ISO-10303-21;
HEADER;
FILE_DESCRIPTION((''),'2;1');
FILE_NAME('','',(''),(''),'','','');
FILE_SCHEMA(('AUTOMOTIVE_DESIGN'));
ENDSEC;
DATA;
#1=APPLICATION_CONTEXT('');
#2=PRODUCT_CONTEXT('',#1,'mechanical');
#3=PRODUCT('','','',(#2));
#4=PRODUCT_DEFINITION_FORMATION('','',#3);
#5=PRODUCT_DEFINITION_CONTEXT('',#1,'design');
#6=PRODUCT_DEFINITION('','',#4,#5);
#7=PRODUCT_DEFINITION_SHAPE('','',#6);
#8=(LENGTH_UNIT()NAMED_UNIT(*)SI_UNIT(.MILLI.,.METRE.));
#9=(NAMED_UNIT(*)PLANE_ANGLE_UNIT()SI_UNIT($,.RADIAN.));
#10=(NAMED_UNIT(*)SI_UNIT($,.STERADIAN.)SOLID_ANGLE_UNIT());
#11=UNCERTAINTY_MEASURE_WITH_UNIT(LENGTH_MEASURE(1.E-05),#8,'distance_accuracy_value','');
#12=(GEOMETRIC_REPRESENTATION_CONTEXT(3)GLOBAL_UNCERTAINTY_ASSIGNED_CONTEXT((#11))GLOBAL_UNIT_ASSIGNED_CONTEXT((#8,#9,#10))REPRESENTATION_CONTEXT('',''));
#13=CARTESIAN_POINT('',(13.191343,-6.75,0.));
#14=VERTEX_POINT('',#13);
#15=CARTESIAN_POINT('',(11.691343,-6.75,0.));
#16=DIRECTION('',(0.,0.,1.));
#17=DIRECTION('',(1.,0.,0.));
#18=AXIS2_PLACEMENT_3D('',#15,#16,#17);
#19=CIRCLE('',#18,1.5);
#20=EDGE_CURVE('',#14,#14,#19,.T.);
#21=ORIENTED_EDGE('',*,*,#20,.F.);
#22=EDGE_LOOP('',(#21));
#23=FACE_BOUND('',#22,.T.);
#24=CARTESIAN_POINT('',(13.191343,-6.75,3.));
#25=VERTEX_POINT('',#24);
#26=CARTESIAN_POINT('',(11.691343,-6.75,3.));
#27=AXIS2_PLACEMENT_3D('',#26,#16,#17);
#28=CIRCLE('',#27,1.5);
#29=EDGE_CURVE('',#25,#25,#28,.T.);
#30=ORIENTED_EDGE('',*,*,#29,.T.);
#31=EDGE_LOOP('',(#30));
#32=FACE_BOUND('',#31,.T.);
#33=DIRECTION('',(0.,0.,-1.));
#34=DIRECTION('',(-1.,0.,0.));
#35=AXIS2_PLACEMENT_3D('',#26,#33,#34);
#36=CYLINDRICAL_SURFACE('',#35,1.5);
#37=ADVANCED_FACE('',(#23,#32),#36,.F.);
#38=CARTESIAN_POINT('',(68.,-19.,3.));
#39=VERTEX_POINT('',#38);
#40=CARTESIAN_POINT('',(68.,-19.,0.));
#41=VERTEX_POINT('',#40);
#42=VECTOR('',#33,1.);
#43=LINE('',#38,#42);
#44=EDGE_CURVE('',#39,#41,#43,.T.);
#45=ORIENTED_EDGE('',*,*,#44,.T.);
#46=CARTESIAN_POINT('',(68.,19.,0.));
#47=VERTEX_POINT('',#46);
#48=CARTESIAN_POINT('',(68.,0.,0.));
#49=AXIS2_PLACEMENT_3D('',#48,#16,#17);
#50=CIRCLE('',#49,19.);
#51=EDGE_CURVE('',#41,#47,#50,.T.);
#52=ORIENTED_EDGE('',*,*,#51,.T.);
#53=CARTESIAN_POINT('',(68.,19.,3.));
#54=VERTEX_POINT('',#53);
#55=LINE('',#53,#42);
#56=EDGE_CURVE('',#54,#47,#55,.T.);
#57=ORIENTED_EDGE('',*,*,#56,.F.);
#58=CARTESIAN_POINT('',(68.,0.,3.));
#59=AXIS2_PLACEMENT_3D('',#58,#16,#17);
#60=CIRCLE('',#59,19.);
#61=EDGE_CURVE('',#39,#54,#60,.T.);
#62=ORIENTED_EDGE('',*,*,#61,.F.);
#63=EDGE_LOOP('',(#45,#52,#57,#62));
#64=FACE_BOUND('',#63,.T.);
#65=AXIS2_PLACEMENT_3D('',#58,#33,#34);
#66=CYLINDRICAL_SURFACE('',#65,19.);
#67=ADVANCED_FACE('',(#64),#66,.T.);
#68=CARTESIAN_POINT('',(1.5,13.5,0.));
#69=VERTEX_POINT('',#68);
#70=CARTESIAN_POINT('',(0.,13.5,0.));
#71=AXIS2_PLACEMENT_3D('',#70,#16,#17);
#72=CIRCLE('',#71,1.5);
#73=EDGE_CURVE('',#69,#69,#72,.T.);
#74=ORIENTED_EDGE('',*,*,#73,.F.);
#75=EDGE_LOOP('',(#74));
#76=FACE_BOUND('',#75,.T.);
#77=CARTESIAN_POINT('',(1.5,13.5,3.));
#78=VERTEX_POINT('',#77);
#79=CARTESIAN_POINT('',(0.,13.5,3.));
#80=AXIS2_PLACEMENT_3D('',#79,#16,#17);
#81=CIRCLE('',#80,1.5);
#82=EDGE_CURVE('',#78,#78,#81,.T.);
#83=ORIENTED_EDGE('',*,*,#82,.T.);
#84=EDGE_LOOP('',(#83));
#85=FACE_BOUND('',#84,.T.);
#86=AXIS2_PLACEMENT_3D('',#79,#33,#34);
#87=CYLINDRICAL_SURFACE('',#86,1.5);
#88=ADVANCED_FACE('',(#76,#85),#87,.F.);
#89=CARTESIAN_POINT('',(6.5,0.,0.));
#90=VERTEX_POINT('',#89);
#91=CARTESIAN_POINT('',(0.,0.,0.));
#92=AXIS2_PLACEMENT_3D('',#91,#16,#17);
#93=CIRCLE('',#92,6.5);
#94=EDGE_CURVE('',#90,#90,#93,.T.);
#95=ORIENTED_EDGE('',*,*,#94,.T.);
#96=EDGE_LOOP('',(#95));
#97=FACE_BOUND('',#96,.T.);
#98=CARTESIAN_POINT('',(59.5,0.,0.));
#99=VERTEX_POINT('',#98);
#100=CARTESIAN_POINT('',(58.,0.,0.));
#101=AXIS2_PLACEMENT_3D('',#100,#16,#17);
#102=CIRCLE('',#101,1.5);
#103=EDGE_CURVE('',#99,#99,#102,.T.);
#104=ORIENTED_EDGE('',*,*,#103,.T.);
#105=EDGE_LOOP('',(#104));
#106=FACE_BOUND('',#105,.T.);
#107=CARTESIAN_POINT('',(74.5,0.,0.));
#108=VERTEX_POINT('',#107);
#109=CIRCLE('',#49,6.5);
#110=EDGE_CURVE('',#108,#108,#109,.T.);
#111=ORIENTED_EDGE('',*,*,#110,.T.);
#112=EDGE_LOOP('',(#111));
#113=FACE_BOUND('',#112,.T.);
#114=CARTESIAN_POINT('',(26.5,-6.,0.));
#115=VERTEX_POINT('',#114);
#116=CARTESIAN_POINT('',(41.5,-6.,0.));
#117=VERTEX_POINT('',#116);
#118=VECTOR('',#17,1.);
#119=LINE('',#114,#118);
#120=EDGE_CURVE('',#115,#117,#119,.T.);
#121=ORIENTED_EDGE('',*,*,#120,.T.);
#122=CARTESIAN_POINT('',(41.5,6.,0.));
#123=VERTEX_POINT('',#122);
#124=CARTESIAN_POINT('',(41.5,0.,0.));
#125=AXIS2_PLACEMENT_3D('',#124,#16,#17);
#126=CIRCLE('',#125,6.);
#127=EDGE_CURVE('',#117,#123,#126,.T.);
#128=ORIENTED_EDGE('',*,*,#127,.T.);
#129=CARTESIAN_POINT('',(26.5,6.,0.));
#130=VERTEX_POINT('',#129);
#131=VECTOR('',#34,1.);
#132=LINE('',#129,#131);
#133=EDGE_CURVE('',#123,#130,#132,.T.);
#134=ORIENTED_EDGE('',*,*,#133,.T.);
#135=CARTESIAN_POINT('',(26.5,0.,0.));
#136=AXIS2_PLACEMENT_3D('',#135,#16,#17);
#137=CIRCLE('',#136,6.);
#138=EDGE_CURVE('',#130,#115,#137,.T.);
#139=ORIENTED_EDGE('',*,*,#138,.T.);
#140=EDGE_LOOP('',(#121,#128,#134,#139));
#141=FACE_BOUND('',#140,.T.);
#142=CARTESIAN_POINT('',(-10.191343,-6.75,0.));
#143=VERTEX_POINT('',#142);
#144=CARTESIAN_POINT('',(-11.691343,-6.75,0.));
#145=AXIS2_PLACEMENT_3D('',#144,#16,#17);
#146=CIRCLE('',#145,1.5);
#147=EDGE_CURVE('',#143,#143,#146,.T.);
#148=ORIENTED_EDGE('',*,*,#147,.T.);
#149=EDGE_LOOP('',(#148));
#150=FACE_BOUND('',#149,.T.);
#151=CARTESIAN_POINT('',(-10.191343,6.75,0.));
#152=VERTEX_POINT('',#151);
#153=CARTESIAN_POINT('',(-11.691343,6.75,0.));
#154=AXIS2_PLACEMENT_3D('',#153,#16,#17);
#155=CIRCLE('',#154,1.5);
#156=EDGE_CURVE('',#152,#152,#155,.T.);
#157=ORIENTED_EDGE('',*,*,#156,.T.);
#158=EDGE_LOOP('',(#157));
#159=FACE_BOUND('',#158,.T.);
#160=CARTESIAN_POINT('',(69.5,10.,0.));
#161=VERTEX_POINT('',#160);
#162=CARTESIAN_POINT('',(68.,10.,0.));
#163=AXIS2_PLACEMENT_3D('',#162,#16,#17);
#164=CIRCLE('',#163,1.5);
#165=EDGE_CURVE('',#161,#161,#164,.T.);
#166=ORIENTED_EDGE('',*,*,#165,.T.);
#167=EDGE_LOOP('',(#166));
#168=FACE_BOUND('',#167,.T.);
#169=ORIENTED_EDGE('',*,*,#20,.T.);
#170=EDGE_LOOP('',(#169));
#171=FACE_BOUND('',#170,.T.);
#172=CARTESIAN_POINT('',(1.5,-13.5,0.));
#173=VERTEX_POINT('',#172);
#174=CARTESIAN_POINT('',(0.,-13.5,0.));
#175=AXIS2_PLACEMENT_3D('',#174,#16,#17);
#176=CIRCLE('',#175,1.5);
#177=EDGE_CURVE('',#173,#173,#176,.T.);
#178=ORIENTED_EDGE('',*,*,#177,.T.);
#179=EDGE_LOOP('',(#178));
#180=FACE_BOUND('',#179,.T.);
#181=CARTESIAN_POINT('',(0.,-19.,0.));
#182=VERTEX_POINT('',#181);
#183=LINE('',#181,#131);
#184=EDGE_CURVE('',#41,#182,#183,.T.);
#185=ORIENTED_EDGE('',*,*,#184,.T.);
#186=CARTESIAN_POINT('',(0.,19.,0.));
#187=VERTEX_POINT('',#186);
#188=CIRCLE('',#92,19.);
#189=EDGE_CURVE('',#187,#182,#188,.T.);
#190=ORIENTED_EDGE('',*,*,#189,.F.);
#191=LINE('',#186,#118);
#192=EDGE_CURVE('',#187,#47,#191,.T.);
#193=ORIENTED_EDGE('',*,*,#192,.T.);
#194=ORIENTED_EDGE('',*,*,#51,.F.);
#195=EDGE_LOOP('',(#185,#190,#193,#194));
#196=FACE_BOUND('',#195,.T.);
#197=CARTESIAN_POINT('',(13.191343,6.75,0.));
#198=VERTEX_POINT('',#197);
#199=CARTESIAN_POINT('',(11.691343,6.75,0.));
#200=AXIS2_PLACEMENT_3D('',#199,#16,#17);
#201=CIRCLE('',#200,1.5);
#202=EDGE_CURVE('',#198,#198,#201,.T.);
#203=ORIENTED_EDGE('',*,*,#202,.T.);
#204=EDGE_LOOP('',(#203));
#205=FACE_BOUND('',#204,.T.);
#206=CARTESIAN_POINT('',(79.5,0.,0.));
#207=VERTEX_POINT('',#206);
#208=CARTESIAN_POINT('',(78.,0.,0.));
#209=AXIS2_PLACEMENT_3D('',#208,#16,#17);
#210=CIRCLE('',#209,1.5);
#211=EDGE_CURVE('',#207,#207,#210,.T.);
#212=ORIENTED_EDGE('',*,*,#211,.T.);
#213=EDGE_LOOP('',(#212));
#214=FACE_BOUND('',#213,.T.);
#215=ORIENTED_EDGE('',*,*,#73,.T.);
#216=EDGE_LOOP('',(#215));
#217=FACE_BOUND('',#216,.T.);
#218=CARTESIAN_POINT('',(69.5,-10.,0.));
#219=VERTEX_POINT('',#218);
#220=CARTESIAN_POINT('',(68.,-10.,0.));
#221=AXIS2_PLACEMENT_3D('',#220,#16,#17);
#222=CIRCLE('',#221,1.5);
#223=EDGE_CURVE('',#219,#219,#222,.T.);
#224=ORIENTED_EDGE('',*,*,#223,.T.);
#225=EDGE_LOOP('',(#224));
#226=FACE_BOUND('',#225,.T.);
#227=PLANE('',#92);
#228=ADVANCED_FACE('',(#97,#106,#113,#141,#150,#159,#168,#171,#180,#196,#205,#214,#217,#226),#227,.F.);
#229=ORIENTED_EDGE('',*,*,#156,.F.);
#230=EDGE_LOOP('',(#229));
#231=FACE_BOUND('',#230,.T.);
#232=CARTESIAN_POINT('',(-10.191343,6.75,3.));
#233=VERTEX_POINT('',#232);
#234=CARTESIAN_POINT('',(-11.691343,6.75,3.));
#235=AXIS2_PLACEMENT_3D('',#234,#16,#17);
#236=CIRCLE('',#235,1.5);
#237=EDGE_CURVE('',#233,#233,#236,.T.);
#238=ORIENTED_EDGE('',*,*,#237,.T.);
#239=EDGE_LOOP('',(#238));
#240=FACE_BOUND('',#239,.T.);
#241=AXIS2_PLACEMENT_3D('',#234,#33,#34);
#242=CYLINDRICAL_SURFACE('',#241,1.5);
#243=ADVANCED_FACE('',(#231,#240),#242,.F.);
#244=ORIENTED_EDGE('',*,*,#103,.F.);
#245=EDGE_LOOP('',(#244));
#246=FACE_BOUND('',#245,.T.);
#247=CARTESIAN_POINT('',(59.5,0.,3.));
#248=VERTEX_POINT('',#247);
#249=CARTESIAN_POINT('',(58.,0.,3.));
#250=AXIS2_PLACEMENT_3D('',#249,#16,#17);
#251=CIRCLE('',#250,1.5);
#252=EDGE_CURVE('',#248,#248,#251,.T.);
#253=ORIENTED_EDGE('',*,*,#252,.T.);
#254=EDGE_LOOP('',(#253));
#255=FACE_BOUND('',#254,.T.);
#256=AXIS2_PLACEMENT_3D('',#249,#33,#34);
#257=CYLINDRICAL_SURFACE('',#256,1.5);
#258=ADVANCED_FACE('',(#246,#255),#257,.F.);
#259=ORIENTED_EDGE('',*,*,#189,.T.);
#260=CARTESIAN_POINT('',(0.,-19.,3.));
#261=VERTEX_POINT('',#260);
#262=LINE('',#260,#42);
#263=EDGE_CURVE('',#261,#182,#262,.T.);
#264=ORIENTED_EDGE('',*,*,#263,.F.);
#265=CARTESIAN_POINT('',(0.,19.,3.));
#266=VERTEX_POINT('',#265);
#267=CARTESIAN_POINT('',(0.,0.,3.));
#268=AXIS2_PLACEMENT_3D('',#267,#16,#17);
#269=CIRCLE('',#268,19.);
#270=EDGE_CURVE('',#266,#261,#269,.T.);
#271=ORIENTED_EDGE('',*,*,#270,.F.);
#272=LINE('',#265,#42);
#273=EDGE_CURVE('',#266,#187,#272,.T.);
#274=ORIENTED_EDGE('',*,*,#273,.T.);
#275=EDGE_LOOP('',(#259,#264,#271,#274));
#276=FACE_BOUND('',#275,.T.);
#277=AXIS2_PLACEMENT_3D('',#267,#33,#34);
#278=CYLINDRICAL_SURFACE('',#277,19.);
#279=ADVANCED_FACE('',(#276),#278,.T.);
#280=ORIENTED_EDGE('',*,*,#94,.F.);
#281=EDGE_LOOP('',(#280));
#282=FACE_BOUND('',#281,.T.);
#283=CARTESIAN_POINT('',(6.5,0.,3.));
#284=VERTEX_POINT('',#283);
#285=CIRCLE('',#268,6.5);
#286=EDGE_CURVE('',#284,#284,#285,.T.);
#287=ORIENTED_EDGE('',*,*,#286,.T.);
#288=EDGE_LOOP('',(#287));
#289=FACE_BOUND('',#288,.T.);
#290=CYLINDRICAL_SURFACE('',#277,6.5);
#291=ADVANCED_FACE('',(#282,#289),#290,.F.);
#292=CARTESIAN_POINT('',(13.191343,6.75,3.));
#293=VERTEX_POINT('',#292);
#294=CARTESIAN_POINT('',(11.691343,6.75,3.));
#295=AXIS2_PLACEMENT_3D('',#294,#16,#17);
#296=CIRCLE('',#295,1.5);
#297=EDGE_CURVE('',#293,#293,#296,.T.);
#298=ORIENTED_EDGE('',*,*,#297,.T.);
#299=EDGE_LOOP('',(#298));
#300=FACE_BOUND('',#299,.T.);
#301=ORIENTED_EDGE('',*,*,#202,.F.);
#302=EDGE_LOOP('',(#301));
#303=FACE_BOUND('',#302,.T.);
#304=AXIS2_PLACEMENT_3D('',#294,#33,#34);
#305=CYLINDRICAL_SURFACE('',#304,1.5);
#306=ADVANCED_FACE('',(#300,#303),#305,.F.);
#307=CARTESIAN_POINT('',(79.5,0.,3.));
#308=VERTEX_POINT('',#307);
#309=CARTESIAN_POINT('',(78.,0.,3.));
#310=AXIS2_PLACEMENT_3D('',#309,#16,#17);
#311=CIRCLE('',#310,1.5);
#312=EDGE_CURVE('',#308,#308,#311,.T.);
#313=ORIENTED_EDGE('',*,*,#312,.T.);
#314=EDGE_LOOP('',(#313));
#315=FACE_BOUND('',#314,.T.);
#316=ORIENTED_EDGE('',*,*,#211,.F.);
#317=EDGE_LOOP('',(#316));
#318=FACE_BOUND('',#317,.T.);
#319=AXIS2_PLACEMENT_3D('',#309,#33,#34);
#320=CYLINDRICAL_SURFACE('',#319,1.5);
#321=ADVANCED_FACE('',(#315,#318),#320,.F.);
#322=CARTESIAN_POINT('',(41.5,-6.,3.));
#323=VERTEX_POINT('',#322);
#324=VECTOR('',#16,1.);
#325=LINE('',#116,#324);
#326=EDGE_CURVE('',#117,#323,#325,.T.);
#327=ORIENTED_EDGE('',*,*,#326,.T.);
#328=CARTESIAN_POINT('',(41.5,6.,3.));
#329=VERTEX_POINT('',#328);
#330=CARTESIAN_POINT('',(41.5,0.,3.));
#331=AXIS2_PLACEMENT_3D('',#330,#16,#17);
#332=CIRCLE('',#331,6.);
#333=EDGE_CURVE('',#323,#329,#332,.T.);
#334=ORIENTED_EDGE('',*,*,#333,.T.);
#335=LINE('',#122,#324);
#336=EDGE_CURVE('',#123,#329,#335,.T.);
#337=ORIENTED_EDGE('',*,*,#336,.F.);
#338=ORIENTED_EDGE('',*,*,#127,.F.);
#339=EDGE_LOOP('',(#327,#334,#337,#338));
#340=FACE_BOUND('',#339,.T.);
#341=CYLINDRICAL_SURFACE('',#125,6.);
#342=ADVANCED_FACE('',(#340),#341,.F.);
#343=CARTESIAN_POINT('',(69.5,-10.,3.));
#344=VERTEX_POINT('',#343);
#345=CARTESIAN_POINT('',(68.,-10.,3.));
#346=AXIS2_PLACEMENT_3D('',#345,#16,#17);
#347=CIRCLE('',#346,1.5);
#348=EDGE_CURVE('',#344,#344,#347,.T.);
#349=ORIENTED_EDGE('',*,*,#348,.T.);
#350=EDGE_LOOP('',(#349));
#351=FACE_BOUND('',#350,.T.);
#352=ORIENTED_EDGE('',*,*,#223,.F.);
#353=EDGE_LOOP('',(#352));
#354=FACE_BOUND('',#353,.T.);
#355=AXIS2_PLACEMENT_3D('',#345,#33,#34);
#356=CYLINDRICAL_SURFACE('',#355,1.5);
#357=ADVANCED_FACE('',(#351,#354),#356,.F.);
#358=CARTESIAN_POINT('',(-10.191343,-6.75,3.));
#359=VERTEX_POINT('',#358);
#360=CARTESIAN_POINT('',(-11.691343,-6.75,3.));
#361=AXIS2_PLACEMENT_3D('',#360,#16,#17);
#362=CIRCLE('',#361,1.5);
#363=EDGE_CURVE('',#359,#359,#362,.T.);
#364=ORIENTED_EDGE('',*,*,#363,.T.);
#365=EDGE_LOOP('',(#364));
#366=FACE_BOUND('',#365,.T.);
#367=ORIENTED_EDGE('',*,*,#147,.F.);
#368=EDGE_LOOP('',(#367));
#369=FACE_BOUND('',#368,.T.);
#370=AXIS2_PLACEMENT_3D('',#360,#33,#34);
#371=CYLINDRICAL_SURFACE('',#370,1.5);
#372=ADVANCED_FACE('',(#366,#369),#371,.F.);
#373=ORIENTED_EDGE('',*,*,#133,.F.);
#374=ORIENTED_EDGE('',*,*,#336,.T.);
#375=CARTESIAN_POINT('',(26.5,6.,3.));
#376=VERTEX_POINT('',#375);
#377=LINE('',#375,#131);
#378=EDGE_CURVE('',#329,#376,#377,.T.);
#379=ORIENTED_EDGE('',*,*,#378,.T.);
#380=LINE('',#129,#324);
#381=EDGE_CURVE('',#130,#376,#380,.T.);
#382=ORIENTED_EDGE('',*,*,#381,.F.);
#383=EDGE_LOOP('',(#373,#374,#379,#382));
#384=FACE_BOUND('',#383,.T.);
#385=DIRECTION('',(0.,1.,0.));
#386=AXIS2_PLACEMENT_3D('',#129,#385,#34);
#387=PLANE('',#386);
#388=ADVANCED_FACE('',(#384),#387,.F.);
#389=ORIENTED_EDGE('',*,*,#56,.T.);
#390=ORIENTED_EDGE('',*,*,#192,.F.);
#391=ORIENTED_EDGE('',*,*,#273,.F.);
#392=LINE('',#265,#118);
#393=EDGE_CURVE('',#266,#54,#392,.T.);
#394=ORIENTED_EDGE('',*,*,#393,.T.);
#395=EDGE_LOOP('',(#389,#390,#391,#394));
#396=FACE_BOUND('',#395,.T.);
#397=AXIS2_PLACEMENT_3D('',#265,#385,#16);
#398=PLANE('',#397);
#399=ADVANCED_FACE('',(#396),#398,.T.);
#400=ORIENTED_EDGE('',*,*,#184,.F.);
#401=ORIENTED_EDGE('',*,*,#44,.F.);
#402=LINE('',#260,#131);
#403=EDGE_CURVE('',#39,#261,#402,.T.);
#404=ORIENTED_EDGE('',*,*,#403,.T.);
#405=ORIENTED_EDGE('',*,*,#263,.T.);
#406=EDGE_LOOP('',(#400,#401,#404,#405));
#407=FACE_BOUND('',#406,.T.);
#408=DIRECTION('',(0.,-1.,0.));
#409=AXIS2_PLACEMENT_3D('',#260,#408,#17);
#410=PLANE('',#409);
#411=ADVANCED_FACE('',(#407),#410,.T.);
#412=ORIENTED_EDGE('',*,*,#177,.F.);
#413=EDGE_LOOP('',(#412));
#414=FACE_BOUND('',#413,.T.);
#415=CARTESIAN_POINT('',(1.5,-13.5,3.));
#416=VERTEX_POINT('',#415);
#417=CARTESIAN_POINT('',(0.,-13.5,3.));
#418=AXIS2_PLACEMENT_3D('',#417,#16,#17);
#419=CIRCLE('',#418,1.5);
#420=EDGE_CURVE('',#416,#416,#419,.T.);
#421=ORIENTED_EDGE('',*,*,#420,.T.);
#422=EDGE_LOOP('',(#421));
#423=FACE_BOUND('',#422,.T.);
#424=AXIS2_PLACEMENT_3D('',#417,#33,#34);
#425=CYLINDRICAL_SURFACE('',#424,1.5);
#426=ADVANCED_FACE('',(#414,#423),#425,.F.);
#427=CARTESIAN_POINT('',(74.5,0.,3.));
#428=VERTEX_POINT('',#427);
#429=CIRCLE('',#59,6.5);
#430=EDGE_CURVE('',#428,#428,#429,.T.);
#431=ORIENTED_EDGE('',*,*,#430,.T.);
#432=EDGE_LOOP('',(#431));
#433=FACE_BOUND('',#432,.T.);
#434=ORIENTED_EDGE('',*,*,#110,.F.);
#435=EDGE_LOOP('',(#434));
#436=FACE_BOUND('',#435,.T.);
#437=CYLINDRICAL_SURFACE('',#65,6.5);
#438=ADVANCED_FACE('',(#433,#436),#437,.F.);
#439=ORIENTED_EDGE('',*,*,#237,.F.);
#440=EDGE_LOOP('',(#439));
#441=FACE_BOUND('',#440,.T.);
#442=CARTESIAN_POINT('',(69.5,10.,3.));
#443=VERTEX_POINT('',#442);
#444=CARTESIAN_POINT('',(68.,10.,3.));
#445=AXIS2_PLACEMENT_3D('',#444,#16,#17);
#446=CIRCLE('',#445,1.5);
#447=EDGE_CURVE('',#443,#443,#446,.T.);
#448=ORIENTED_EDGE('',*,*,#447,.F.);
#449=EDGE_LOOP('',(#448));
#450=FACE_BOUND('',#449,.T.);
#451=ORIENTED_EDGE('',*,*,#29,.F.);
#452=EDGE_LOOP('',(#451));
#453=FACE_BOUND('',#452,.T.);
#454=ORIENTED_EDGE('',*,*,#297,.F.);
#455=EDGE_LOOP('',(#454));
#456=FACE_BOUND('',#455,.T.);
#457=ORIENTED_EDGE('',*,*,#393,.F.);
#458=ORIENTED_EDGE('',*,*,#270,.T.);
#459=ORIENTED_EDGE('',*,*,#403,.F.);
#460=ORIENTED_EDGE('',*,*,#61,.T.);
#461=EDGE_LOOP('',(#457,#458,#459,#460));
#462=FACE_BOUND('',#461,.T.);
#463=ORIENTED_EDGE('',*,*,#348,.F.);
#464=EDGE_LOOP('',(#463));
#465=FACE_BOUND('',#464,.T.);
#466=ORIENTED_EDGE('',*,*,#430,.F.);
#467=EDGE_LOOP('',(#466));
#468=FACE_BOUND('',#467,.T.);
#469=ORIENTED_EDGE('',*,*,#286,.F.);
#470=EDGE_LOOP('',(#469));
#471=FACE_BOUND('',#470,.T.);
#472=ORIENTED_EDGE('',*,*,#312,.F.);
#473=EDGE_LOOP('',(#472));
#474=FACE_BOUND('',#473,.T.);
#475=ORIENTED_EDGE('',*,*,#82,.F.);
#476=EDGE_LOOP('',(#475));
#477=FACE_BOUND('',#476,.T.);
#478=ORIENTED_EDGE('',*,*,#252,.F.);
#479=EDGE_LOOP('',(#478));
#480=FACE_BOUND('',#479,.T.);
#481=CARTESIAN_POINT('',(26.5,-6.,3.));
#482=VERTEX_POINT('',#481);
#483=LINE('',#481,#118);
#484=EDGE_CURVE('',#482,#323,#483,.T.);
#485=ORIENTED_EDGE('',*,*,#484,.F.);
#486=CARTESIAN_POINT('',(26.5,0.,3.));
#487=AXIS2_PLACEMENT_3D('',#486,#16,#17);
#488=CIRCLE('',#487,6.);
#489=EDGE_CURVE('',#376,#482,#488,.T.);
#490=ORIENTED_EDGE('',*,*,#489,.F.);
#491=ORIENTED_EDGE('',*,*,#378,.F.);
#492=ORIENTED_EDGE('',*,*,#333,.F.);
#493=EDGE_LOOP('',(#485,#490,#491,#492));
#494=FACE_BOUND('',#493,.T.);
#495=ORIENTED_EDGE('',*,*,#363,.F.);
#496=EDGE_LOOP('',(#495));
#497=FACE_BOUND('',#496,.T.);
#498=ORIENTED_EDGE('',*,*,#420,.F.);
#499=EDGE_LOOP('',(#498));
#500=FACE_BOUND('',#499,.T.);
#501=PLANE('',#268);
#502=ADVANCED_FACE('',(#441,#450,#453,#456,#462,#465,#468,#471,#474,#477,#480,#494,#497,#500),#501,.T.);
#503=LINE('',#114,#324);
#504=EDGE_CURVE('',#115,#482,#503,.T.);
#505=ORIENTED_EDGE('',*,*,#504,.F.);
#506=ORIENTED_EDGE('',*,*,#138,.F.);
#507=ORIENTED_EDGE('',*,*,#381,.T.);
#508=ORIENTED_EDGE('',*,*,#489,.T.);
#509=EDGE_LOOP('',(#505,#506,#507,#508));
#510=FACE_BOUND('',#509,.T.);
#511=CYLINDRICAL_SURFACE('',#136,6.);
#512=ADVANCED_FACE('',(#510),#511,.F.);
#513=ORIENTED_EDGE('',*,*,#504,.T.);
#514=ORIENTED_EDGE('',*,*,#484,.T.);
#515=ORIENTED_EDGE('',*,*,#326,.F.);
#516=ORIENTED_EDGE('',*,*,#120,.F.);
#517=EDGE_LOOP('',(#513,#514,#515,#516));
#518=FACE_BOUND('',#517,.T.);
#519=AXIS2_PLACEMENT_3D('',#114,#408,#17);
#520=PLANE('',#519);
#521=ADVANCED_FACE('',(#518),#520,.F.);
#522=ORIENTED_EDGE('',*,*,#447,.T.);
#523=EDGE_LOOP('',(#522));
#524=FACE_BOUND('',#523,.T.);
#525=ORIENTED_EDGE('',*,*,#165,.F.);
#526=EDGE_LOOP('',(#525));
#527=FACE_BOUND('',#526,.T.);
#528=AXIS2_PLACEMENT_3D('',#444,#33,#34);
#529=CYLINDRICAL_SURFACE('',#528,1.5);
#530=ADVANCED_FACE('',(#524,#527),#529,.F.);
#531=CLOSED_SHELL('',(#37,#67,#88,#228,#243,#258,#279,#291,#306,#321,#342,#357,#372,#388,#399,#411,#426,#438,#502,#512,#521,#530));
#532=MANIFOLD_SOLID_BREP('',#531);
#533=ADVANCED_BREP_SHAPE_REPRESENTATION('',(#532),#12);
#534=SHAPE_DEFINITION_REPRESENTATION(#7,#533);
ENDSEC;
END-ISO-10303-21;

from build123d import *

# Parameters (mm, degrees)
SKETCH_1_R          = 19
SKETCH_1_R_2        = 1.5
SKETCH_1_R_3        = 6.5
EXTRUDE_1_DEPTH     = 3
SKETCH_2_R          = 6.5
CUT_EXTRUDE_1_DEPTH = 90.101066211


with BuildPart() as part:
    # 草图1 → 凸台-拉伸1 (new body)
    # profile 1 of 3: a face of its own
    with BuildSketch(Plane.XY):
        Circle(SKETCH_1_R)
        with Locations((0, 13.5)):
            Circle(SKETCH_1_R_2, mode=Mode.SUBTRACT)
        with Locations((11.691342951, 6.75)):
            Circle(SKETCH_1_R_2, mode=Mode.SUBTRACT)
        with Locations((11.691342951, -6.75)):
            Circle(SKETCH_1_R_2, mode=Mode.SUBTRACT)
        with Locations((0, -13.5)):
            Circle(SKETCH_1_R_2, mode=Mode.SUBTRACT)
        with Locations((-11.691342951, -6.75)):
            Circle(SKETCH_1_R_2, mode=Mode.SUBTRACT)
        with Locations((-11.691342951, 6.75)):
            Circle(SKETCH_1_R_2, mode=Mode.SUBTRACT)
        Circle(SKETCH_1_R_3, mode=Mode.SUBTRACT)
    # profile 2 of 3: a face of its own
    with BuildSketch(Plane.XY):
        with BuildLine():
            Line((68, 19), (0, 19))
            ThreePointArc((0, 19), (13.435028843, 13.435028843), (19, 0))
            ThreePointArc((19, 0), (13.435028843, -13.435028843), (0, -19))
            Line((0, -19), (68, -19))
            ThreePointArc((68, -19), (49, 0), (68, 19))
        make_face()
    # profile 3 of 3: a face of its own
    with BuildSketch(Plane.XY):
        with Locations((68, 0)):
            Circle(SKETCH_1_R)
        with Locations((68, 0)):
            Circle(SKETCH_1_R_3, mode=Mode.SUBTRACT)
        with Locations((68, 10)):
            Circle(SKETCH_1_R_2, mode=Mode.SUBTRACT)
        with Locations((78, 0)):
            Circle(SKETCH_1_R_2, mode=Mode.SUBTRACT)
        with Locations((68, -10)):
            Circle(SKETCH_1_R_2, mode=Mode.SUBTRACT)
        with Locations((58, 0)):
            Circle(SKETCH_1_R_2, mode=Mode.SUBTRACT)
    extrude(amount=EXTRUDE_1_DEPTH)

    # 草图2 → 切除-拉伸1 (cut, through all)
    with BuildSketch(Plane.XY.offset(3)):
        with Locations((68, 0)):
            Circle(SKETCH_2_R)
        with BuildLine():
            Line((26.5, 6), (41.5, 6))
            ThreePointArc((41.5, 6), (47.5, 0), (41.5, -6))
            Line((41.5, -6), (26.5, -6))
            ThreePointArc((26.5, -6), (20.5, 0), (26.5, 6))
        make_face()
    extrude(amount=-CUT_EXTRUDE_1_DEPTH, mode=Mode.SUBTRACT)


solid = part.part
